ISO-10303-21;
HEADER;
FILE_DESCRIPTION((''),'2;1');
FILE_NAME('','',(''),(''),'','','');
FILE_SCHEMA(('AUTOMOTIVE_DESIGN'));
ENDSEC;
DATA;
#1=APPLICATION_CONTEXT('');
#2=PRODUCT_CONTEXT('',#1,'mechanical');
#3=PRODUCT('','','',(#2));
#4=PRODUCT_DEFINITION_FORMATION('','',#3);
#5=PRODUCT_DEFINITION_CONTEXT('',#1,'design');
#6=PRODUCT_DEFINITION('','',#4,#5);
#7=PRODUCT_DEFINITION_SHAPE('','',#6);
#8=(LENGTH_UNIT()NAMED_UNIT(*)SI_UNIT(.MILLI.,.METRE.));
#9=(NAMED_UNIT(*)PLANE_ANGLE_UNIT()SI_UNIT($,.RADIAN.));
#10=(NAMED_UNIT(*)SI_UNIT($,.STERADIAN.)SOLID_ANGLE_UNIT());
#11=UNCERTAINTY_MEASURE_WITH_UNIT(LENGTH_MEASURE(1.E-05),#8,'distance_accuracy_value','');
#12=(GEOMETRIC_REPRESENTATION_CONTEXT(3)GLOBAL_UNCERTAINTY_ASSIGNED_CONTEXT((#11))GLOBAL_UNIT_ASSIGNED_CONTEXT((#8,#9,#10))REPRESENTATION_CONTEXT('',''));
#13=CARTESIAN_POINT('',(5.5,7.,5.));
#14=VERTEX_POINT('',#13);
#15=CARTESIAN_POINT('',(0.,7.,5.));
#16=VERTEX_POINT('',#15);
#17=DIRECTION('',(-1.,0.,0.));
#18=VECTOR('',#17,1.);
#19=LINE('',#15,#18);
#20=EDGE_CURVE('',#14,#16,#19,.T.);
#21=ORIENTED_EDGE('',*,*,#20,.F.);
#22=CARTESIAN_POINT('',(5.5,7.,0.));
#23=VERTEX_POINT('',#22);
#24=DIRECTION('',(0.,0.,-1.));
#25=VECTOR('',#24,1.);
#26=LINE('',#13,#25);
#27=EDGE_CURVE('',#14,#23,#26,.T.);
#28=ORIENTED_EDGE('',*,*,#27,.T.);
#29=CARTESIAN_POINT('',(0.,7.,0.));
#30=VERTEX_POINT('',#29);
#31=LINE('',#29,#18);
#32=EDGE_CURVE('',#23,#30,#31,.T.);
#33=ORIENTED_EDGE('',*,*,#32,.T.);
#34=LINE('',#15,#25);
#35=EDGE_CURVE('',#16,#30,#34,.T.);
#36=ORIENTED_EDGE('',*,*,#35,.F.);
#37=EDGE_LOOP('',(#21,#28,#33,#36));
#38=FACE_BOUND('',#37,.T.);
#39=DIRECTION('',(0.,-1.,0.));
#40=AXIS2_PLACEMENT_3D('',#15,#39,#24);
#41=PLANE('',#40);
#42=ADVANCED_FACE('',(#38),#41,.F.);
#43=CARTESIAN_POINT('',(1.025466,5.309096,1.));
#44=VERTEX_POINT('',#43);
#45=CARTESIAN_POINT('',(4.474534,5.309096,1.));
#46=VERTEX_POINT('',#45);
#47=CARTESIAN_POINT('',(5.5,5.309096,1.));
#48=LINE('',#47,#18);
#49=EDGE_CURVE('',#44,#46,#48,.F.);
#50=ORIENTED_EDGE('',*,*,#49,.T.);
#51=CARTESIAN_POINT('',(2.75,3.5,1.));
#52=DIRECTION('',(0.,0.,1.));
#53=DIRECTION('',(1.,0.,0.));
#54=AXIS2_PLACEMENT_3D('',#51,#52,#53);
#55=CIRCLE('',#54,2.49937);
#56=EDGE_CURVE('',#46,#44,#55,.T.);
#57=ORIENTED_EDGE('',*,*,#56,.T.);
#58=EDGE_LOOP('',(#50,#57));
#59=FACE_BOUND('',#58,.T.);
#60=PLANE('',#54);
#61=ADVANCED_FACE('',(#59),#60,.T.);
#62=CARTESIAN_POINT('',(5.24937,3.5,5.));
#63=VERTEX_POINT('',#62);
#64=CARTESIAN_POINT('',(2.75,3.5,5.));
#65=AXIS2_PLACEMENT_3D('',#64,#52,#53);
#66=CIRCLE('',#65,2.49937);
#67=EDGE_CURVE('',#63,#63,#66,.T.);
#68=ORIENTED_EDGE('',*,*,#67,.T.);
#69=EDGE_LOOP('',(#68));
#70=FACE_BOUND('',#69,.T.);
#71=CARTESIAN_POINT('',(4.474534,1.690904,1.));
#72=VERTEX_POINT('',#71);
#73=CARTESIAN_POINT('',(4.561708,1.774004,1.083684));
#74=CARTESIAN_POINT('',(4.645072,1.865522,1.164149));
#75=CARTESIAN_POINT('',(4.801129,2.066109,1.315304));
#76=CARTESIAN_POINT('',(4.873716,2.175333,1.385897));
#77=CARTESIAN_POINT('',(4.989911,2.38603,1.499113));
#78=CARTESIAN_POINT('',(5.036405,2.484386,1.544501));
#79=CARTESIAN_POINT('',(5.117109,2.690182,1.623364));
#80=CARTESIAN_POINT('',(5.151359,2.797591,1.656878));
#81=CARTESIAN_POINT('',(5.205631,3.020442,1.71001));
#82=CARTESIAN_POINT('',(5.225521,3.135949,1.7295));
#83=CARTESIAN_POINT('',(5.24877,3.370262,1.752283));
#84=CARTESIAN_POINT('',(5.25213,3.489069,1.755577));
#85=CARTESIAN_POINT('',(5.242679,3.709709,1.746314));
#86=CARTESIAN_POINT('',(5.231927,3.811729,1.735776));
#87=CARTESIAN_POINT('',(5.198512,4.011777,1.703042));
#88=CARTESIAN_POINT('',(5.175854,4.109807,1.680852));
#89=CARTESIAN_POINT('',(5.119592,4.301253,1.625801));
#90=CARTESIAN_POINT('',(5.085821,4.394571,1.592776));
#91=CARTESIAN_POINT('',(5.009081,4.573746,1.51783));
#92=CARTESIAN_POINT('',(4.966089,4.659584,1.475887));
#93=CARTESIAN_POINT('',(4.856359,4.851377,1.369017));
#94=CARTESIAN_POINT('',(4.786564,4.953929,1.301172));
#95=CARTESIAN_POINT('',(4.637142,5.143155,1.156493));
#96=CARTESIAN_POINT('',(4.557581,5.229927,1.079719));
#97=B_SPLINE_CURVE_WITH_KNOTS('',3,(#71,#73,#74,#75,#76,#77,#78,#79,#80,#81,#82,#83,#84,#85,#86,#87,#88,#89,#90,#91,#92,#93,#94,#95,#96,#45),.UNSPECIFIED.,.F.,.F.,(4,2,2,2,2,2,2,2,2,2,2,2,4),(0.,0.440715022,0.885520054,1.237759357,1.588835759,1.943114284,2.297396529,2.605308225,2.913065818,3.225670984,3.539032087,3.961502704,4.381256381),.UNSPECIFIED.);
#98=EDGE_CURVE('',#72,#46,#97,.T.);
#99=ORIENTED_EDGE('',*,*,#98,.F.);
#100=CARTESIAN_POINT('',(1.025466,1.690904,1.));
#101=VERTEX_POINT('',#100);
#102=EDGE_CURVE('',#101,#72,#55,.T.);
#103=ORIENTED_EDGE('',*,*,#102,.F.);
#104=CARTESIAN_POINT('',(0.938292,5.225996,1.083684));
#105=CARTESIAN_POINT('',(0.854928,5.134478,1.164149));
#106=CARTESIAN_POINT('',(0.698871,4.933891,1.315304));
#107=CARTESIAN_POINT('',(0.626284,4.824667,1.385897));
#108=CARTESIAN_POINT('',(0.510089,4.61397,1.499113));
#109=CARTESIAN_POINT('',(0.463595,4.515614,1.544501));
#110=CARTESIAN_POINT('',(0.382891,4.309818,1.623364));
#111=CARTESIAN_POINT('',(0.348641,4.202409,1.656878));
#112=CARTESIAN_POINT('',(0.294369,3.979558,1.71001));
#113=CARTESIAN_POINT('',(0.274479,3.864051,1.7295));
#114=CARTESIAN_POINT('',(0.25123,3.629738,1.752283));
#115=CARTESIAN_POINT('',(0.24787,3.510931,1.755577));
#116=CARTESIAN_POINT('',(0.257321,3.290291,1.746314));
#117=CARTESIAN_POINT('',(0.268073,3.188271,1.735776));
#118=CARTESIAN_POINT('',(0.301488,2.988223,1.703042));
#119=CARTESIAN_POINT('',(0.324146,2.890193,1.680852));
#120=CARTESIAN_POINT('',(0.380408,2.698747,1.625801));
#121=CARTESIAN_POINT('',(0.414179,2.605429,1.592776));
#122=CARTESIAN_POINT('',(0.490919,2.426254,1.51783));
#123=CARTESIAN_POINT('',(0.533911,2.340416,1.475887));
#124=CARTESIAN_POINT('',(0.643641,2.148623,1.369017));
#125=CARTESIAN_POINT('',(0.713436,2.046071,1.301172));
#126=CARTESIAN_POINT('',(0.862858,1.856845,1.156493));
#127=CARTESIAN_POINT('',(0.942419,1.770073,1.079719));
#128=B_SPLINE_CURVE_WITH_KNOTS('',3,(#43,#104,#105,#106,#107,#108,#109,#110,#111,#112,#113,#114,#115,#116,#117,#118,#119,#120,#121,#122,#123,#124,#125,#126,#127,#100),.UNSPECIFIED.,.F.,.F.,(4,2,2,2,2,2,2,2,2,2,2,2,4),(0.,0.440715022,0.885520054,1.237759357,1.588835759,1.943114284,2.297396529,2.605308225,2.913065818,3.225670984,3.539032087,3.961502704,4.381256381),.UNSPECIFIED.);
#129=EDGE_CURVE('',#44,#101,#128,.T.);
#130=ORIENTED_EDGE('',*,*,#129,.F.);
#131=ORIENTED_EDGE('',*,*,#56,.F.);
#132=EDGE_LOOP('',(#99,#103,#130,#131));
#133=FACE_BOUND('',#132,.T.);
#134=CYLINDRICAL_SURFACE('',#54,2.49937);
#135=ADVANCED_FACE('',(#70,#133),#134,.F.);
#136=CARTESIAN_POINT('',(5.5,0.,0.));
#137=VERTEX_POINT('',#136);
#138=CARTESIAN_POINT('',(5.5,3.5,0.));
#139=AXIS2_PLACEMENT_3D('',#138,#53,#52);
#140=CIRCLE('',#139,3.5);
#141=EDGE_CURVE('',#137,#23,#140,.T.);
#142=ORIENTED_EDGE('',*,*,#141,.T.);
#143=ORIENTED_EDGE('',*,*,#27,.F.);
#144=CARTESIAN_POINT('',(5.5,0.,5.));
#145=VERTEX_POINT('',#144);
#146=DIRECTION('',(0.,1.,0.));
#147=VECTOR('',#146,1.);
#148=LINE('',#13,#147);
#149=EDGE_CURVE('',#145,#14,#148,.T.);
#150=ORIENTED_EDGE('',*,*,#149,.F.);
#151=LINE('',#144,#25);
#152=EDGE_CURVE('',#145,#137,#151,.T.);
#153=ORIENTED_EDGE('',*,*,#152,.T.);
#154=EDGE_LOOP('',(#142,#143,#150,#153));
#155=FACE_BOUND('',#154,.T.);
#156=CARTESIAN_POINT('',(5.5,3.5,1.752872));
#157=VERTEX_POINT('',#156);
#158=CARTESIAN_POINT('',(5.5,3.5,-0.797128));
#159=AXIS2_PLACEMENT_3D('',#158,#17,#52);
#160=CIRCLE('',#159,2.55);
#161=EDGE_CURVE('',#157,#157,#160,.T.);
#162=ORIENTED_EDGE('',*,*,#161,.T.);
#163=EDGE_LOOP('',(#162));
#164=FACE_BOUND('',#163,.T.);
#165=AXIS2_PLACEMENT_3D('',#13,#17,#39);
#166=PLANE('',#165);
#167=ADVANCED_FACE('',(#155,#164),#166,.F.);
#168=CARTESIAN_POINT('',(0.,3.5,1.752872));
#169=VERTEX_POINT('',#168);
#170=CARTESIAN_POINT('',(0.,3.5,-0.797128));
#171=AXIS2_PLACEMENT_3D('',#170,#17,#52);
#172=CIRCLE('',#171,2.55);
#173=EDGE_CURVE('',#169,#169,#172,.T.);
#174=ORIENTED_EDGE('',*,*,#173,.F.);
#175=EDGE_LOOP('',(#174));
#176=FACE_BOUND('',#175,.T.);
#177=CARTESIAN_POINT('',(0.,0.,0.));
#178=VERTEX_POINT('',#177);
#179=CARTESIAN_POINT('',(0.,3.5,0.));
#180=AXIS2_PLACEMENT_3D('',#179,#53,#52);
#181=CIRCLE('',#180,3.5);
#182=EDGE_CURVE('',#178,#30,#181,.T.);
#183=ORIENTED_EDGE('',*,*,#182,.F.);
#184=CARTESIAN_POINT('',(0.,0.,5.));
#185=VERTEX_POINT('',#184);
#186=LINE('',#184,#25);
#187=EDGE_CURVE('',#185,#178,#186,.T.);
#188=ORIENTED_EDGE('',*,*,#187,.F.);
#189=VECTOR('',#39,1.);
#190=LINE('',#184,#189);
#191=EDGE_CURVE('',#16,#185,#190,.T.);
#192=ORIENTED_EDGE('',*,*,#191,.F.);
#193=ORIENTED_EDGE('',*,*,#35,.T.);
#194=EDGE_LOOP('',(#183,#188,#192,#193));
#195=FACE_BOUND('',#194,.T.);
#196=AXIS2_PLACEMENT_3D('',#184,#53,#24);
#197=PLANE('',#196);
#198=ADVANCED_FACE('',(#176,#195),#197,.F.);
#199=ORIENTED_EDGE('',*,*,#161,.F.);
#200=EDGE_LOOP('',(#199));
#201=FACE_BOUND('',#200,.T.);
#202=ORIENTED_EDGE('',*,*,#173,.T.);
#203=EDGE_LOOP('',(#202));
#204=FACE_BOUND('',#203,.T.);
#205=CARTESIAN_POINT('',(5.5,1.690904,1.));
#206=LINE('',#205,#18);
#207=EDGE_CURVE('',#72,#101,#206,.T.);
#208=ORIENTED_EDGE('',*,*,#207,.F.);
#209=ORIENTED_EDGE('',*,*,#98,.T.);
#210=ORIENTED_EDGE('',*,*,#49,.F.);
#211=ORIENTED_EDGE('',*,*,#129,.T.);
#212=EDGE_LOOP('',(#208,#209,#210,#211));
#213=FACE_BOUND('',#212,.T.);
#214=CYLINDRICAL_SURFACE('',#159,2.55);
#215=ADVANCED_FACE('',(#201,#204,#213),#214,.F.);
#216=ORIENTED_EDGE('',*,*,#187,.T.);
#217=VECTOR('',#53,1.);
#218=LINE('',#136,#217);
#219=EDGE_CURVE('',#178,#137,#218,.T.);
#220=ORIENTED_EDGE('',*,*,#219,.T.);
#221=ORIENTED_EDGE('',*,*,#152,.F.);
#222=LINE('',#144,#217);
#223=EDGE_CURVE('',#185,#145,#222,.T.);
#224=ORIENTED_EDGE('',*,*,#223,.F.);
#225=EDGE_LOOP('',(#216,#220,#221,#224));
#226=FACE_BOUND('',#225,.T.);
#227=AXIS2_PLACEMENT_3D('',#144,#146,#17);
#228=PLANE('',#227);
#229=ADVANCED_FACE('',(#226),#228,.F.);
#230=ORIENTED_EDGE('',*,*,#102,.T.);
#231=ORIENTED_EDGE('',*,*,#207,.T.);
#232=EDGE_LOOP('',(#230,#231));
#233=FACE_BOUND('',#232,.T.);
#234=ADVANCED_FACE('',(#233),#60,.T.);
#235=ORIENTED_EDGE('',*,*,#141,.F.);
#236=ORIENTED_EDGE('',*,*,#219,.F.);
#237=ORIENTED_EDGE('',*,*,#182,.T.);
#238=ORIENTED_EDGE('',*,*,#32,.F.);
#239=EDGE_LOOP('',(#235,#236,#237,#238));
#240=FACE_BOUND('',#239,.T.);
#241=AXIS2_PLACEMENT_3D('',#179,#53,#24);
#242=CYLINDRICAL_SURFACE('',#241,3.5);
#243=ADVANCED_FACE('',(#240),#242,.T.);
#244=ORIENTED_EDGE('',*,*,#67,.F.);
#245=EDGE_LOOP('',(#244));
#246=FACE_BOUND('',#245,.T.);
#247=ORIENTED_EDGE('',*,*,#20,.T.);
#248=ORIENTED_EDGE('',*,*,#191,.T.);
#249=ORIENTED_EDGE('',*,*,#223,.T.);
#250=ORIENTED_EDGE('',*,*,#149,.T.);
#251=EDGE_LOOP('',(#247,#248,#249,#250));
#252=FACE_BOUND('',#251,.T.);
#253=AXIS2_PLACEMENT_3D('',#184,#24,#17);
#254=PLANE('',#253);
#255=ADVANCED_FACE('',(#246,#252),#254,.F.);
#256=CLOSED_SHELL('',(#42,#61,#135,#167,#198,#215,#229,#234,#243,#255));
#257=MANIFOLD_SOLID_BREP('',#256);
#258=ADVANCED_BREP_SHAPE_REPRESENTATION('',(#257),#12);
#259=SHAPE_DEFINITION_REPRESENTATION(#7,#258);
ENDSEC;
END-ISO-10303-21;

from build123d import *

# Parameters (mm, degrees)
SKETCH1_W           = 5.5
SKETCH1_H           = 7
BOSS_EXTRUDE1_DEPTH = 5
BOSS_EXTRUDE2_DEPTH = 5.5
SKETCH4_R           = 2.55
CUT_EXTRUDE1_DEPTH  = 11.210288928
SKETCH5_R           = 2.499369643
CUT_EXTRUDE2_DEPTH  = 4


with BuildPart() as part:
    # Sketch1 → Boss-Extrude1 (new body)
    with BuildSketch(Plane.XY):
        with Locations((2.75, 3.5)):
            Rectangle(SKETCH1_W, SKETCH1_H)
    extrude(amount=BOSS_EXTRUDE1_DEPTH)

    # Sketch3 → Boss-Extrude2 (add)
    with BuildSketch(Plane(origin=(5.5, 0, 0), x_dir=(0, 0, -1), z_dir=(1, 0, 0))):
        with BuildLine():
            Line((0, 7), (0, 0))
            ThreePointArc((0, 0), (3.5, 3.5), (0, 7))
        make_face()
    extrude(amount=-BOSS_EXTRUDE2_DEPTH)

    # Sketch4 → Cut-Extrude1 (cut, through all)
    with BuildSketch(Plane.ZY):
        with Locations((-0.797128345, 3.5)):
            Circle(SKETCH4_R)
    extrude(amount=-CUT_EXTRUDE1_DEPTH, mode=Mode.SUBTRACT)

    # Sketch5 → Cut-Extrude2 (cut)
    with BuildSketch(Plane.XY.offset(5)):
        with Locations((2.75, 3.5)):
            Circle(SKETCH5_R)
    extrude(amount=-CUT_EXTRUDE2_DEPTH, mode=Mode.SUBTRACT)


solid = part.part
